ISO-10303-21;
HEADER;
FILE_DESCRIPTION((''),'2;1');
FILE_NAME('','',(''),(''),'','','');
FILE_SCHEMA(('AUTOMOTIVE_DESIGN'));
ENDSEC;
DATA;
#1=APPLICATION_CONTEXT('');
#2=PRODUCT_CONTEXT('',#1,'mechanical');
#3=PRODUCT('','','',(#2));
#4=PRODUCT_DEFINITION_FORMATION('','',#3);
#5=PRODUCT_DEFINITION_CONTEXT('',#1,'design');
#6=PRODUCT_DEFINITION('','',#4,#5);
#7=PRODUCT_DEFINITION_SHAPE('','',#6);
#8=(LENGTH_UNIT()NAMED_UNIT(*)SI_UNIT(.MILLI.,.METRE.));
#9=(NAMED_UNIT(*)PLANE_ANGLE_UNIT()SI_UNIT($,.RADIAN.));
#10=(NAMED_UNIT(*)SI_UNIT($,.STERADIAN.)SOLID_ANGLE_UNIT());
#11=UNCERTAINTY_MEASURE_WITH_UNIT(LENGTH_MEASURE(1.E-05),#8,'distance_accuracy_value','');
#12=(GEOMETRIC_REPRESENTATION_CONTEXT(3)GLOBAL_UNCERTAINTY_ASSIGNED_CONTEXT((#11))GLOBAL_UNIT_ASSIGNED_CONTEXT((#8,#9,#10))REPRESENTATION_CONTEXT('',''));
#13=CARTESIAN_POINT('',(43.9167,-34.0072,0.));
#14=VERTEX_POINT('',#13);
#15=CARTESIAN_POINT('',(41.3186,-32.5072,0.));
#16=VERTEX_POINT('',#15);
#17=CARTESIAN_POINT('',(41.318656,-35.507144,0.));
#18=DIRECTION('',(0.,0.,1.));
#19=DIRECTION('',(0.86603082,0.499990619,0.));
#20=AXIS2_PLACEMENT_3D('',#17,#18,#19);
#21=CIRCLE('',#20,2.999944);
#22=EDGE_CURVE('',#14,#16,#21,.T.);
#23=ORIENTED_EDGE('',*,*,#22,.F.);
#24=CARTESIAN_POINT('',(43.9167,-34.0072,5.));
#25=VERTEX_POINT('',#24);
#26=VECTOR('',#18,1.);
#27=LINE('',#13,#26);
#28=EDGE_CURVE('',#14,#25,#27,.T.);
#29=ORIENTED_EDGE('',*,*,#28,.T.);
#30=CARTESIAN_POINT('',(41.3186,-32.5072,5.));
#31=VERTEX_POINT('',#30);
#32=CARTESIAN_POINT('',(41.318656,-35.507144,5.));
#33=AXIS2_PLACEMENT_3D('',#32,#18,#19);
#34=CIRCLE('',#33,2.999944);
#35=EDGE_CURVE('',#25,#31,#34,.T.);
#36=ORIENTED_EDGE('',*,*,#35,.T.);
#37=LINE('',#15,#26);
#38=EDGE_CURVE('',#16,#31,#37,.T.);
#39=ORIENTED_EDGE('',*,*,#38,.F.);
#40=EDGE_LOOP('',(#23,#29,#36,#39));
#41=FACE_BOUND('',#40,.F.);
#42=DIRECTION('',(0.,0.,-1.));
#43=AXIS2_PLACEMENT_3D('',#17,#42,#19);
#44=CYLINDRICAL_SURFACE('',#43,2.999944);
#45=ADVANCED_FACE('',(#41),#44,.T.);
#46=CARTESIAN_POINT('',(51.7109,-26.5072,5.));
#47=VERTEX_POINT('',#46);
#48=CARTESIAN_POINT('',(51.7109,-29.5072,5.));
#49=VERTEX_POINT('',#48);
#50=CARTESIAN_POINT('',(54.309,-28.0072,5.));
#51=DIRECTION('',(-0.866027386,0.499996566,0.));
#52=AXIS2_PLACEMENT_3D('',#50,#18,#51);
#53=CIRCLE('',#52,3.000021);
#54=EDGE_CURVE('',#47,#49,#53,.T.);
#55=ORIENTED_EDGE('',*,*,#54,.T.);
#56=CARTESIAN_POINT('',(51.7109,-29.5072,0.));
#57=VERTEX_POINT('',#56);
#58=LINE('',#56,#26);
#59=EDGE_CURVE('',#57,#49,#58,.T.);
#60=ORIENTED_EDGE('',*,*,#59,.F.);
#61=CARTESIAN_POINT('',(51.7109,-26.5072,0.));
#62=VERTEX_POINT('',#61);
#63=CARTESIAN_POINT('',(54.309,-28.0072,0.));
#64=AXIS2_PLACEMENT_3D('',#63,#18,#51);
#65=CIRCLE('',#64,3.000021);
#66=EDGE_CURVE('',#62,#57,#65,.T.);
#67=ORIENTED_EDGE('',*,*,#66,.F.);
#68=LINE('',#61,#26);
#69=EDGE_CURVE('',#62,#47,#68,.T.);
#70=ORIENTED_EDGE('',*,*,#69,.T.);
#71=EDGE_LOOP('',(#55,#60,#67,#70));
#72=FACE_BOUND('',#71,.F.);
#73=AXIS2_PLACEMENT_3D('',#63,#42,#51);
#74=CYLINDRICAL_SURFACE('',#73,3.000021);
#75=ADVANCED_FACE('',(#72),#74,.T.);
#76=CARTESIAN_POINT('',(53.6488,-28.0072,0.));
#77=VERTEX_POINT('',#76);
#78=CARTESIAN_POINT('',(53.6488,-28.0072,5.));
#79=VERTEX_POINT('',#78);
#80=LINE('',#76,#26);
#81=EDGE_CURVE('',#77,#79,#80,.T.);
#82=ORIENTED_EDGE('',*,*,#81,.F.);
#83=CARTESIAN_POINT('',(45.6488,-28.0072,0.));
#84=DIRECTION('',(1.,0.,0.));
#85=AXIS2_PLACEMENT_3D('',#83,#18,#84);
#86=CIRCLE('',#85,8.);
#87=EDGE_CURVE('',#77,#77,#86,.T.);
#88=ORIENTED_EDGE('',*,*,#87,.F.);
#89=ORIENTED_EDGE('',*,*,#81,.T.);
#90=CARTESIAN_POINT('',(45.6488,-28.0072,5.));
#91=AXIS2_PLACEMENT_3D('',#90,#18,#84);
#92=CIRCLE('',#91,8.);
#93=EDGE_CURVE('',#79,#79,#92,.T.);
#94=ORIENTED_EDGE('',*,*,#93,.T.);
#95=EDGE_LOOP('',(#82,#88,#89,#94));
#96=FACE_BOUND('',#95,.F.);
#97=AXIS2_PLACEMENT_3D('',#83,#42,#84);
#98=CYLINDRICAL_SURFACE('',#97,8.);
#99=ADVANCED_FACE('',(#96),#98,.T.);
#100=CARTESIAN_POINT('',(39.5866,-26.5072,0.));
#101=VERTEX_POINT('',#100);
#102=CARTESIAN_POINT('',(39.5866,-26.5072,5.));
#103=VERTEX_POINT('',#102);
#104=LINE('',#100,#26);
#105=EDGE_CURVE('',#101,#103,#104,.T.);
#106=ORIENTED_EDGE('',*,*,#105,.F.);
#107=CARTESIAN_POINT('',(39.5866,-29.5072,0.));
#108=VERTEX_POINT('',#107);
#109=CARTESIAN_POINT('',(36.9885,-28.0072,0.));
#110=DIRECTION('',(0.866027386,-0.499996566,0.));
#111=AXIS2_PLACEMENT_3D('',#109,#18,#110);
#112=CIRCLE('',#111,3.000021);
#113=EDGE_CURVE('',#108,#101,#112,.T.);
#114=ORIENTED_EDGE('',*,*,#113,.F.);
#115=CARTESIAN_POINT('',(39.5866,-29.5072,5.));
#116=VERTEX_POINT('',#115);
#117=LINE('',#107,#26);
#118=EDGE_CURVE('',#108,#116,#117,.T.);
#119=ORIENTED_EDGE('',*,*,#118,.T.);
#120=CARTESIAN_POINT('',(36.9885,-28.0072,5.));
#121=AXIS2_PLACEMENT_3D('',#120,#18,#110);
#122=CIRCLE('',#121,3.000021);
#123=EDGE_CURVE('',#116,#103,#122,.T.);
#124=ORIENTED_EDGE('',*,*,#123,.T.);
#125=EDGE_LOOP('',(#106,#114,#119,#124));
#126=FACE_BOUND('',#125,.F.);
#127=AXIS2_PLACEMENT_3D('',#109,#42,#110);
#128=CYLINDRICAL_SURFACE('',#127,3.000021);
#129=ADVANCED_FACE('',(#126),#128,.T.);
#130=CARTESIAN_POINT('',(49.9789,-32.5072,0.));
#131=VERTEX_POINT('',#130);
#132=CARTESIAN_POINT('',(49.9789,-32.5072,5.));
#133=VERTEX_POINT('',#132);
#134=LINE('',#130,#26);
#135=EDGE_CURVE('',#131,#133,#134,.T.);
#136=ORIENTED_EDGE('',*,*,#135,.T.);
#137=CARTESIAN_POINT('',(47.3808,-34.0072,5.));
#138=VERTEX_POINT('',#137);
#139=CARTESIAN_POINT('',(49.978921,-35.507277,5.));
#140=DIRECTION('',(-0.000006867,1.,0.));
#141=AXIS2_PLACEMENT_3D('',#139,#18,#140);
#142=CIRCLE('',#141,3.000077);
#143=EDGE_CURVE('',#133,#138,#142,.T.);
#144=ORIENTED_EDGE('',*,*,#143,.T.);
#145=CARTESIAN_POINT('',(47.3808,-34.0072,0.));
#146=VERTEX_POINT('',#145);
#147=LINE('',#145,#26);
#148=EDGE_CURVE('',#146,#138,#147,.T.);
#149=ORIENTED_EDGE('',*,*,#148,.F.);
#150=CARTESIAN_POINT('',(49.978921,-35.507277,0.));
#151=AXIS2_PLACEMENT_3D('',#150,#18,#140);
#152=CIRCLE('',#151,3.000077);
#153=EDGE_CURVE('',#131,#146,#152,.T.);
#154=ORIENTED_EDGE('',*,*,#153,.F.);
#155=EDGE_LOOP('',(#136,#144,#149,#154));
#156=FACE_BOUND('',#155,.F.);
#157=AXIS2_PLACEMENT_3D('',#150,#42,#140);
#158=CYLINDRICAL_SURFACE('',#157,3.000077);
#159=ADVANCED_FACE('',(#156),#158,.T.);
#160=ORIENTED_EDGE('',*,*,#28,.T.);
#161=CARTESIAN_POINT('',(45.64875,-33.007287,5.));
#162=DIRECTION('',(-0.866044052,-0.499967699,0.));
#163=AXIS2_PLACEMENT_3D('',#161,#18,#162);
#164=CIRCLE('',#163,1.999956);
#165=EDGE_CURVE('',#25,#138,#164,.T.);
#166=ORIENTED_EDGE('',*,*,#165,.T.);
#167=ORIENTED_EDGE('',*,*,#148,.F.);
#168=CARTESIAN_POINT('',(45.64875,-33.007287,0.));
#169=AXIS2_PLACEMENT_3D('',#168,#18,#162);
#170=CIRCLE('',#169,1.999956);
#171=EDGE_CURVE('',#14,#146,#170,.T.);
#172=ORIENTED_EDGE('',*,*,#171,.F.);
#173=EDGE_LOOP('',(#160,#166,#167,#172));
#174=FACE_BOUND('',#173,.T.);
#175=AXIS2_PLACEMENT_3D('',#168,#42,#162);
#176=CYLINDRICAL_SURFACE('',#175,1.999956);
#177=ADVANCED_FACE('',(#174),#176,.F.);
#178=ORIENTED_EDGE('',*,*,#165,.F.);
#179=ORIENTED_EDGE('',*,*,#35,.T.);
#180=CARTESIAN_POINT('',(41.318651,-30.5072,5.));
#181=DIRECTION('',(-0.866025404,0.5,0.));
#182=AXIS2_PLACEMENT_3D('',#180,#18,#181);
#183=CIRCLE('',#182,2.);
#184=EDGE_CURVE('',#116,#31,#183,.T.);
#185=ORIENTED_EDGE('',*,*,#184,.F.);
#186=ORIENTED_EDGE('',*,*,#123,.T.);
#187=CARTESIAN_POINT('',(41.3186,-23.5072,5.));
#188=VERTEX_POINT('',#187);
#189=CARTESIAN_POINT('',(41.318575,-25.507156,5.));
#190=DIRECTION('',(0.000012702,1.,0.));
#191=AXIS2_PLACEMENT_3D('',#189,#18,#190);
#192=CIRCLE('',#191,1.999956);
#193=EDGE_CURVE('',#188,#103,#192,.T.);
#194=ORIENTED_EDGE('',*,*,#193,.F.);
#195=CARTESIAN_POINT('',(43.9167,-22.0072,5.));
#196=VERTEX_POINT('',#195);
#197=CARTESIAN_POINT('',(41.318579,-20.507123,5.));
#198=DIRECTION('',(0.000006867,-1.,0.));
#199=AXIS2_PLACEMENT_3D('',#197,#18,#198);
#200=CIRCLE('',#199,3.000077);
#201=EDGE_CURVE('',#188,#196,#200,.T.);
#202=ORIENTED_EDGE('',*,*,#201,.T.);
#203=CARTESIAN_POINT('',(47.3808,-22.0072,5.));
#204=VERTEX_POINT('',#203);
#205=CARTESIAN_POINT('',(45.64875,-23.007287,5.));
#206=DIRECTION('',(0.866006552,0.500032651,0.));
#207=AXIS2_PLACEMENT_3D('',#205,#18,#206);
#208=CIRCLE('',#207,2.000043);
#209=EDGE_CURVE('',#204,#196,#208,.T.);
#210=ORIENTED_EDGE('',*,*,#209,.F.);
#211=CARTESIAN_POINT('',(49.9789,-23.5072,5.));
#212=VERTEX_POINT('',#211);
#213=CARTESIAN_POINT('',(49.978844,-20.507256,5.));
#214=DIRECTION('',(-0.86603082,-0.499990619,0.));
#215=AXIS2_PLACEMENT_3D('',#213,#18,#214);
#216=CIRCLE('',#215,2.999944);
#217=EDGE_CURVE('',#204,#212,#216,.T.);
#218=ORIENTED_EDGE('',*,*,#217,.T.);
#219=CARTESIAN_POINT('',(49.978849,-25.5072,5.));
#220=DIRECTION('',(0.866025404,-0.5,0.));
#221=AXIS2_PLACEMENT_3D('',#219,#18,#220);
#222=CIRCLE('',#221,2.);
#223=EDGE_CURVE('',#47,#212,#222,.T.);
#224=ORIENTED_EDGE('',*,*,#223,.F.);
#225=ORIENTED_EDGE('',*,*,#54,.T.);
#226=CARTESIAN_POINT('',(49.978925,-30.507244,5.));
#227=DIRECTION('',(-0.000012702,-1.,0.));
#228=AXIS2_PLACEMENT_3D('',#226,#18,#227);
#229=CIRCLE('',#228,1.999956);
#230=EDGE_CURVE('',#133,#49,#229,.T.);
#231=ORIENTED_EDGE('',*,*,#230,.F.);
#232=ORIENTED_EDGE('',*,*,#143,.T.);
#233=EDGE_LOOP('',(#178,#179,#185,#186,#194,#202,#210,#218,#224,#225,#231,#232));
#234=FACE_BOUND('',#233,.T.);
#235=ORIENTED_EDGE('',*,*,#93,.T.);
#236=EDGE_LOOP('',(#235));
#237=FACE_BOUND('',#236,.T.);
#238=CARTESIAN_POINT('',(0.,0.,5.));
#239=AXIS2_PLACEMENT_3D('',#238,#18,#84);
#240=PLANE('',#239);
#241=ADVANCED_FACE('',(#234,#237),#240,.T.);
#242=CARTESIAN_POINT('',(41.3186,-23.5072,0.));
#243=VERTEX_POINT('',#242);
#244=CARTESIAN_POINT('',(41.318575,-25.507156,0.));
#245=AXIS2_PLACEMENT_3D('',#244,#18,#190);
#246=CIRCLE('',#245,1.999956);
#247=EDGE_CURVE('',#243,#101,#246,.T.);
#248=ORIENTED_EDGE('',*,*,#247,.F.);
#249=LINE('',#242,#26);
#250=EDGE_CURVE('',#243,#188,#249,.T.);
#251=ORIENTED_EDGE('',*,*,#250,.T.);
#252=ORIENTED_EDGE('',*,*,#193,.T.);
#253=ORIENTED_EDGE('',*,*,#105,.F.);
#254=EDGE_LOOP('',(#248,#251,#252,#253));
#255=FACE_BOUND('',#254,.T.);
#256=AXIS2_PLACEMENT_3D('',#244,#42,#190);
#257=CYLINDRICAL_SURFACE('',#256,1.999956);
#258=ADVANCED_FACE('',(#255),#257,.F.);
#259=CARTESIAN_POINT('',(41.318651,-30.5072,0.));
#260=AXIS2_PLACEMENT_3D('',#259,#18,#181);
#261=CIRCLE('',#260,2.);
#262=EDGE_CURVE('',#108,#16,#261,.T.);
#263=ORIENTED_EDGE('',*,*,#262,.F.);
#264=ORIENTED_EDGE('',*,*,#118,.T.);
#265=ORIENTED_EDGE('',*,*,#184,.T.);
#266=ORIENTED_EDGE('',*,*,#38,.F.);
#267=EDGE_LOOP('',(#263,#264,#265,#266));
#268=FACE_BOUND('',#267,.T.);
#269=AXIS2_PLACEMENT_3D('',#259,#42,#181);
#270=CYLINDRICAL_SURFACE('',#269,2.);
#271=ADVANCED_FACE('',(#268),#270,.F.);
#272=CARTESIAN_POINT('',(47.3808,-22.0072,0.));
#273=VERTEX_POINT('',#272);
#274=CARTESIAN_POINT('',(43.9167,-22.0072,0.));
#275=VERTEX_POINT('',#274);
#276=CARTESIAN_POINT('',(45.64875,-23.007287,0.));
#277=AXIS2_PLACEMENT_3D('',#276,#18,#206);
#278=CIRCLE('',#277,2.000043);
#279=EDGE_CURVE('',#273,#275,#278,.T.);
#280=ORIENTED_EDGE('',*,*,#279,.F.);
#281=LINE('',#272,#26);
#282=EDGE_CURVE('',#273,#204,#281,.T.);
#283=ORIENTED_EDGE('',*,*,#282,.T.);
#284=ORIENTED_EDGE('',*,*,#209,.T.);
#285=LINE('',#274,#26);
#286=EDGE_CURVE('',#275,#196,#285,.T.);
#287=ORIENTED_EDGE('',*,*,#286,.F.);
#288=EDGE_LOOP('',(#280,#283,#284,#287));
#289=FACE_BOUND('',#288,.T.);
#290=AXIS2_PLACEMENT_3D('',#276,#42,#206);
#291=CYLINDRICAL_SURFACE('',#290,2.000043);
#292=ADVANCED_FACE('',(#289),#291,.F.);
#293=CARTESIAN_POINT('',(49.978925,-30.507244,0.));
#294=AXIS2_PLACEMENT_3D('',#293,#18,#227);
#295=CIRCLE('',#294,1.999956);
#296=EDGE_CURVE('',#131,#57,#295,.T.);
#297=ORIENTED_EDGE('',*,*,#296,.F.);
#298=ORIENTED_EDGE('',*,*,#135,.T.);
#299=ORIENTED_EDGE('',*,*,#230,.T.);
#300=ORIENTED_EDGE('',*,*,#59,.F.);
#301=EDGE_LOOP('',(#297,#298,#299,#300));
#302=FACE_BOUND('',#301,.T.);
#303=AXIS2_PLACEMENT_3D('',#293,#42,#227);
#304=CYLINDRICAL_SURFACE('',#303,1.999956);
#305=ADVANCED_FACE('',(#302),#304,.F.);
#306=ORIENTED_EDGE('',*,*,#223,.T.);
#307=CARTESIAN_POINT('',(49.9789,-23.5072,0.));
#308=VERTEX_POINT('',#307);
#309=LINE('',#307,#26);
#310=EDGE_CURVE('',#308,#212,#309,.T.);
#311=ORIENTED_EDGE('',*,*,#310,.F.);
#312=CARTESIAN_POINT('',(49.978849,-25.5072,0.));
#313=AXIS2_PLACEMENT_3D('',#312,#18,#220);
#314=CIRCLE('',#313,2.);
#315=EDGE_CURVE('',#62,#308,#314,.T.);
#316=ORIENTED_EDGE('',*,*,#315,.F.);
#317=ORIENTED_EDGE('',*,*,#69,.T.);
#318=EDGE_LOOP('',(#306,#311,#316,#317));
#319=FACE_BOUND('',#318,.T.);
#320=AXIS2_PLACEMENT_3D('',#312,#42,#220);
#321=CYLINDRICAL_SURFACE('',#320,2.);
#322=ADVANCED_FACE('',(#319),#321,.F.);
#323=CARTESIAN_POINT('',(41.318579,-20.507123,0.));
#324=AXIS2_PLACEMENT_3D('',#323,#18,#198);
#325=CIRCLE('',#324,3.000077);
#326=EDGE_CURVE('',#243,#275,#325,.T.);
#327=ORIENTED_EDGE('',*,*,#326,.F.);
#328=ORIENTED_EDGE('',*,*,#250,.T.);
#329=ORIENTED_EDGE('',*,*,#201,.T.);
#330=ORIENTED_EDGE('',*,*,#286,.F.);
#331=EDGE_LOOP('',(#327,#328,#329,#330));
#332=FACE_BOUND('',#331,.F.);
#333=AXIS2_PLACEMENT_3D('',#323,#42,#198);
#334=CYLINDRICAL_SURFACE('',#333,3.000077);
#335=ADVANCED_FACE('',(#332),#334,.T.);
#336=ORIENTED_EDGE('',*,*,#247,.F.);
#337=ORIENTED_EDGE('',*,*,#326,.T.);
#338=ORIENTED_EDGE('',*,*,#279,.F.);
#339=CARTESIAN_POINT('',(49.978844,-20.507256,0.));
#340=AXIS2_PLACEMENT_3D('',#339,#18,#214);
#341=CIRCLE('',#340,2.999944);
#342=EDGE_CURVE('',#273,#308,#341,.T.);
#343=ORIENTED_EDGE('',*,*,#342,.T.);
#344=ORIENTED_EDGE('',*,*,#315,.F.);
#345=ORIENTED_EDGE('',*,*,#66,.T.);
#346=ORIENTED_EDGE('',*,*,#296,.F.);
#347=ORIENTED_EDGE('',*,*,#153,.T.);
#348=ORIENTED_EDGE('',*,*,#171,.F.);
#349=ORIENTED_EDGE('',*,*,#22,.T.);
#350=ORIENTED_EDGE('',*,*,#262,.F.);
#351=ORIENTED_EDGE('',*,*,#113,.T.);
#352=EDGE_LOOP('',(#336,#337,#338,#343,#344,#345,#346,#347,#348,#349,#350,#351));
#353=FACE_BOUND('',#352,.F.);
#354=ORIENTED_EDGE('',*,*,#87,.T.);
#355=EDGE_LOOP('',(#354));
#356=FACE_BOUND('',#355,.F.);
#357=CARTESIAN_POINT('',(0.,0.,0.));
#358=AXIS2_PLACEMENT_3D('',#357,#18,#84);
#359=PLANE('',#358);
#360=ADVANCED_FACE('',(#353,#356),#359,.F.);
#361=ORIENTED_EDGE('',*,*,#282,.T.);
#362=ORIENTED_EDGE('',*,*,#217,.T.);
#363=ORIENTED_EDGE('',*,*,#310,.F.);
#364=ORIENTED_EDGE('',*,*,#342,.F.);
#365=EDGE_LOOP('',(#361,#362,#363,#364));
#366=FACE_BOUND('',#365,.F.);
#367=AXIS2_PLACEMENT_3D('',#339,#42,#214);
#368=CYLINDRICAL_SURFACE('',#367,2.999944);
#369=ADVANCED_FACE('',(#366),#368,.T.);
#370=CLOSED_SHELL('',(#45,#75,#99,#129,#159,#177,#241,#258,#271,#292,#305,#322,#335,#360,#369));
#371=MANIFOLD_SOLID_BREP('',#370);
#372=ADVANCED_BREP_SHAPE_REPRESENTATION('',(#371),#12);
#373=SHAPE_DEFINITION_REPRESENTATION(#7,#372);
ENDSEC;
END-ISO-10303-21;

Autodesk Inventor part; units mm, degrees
ref_plane "YZ Plane" through (0, 0, 0) normal (1, 0, 0) x (0, 1, 0)
ref_plane "XZ Plane" through (0, 0, 0) normal (0, 1, 0) x (-1, 0, 0)
ref_plane "XY Plane" through (0, 0, 0) normal (0, 0, 1) x (1, 0, 0)
sketch "スケッチ1" plane through (0, 0, 0) normal (0, 0, 1) x (1, 0, 0)
  circle A0 centre (45.6488, -28.0072) radius 8
  circle A1 centre (45.6488, -28.0072) radius 7 construction
  line L0 (45.6488, -21.0072) -> (51.7109, -24.5072) construction
  line L1 (51.7109, -24.5072) -> (51.7109, -31.5072) construction
  line L2 (51.7109, -31.5072) -> (45.6488, -35.0072) construction
  line L3 (45.6488, -35.0072) -> (39.5866, -31.5072) construction
  line L4 (39.5866, -31.5072) -> (39.5866, -24.5072) construction
  line L5 (39.5866, -24.5072) -> (45.6488, -21.0072) construction
  arc A2 (47.3808, -22.0072) -> (43.9167, -22.0072) centre (45.6488, -23.0072) ccw
  arc A3 (41.3186, -23.5072) -> (39.5866, -26.5072) centre (41.3186, -25.5072) ccw
  arc A4 (39.5866, -29.5072) -> (41.3186, -32.5072) centre (41.3186, -30.5072) ccw
  arc A5 (43.9167, -34.0072) -> (47.3808, -34.0072) centre (45.6488, -33.0072) ccw
  arc A6 (49.9789, -32.5072) -> (51.7109, -29.5072) centre (49.9789, -30.5072) ccw
  arc A7 (51.7109, -26.5072) -> (49.9789, -23.5072) centre (49.9789, -25.5072) ccw
  arc A8 (47.3808, -22.0072) -> (49.9789, -23.5072) centre (49.9789, -20.5072) ccw
  arc A9 (41.3186, -23.5072) -> (43.9167, -22.0072) centre (41.3186, -20.5072) ccw
  arc A10 (39.5866, -29.5072) -> (39.5866, -26.5072) centre (36.9885, -28.0072) ccw
  arc A11 (43.9167, -34.0072) -> (41.3186, -32.5072) centre (41.3186, -35.5072) ccw
  arc A12 (49.9789, -32.5072) -> (47.3808, -34.0072) centre (49.9789, -35.5072) ccw
  arc A13 (51.7109, -26.5072) -> (51.7109, -29.5072) centre (54.309, -28.0072) ccw
  circle A14 centre (45.6488, -28.0072) radius 5.6603 construction
  point P0 (0, 0)
  point P1 (51.7109, -31.5072)
  point P2 (51.7109, -24.5072)
  point P3 (39.5866, -26.5072)
  point P4 (41.3186, -23.5072)
  point P5 (43.9167, -22.0072)
  point P6 (51.7109, -26.5072)
  dimension "d5" = 14
  dimension "d4" = 16
  dimension "d6" = 360
  dimension "d7" = 360
  dimension "d8" = 11.3205
  dimension "d9" = 3
  dimension "d10" = 2
extrude "押し出し1" add sketch "スケッチ1" along normal blind 5
properties part number "1ギア接続部外" material "アルミニウム 2014-T4"
